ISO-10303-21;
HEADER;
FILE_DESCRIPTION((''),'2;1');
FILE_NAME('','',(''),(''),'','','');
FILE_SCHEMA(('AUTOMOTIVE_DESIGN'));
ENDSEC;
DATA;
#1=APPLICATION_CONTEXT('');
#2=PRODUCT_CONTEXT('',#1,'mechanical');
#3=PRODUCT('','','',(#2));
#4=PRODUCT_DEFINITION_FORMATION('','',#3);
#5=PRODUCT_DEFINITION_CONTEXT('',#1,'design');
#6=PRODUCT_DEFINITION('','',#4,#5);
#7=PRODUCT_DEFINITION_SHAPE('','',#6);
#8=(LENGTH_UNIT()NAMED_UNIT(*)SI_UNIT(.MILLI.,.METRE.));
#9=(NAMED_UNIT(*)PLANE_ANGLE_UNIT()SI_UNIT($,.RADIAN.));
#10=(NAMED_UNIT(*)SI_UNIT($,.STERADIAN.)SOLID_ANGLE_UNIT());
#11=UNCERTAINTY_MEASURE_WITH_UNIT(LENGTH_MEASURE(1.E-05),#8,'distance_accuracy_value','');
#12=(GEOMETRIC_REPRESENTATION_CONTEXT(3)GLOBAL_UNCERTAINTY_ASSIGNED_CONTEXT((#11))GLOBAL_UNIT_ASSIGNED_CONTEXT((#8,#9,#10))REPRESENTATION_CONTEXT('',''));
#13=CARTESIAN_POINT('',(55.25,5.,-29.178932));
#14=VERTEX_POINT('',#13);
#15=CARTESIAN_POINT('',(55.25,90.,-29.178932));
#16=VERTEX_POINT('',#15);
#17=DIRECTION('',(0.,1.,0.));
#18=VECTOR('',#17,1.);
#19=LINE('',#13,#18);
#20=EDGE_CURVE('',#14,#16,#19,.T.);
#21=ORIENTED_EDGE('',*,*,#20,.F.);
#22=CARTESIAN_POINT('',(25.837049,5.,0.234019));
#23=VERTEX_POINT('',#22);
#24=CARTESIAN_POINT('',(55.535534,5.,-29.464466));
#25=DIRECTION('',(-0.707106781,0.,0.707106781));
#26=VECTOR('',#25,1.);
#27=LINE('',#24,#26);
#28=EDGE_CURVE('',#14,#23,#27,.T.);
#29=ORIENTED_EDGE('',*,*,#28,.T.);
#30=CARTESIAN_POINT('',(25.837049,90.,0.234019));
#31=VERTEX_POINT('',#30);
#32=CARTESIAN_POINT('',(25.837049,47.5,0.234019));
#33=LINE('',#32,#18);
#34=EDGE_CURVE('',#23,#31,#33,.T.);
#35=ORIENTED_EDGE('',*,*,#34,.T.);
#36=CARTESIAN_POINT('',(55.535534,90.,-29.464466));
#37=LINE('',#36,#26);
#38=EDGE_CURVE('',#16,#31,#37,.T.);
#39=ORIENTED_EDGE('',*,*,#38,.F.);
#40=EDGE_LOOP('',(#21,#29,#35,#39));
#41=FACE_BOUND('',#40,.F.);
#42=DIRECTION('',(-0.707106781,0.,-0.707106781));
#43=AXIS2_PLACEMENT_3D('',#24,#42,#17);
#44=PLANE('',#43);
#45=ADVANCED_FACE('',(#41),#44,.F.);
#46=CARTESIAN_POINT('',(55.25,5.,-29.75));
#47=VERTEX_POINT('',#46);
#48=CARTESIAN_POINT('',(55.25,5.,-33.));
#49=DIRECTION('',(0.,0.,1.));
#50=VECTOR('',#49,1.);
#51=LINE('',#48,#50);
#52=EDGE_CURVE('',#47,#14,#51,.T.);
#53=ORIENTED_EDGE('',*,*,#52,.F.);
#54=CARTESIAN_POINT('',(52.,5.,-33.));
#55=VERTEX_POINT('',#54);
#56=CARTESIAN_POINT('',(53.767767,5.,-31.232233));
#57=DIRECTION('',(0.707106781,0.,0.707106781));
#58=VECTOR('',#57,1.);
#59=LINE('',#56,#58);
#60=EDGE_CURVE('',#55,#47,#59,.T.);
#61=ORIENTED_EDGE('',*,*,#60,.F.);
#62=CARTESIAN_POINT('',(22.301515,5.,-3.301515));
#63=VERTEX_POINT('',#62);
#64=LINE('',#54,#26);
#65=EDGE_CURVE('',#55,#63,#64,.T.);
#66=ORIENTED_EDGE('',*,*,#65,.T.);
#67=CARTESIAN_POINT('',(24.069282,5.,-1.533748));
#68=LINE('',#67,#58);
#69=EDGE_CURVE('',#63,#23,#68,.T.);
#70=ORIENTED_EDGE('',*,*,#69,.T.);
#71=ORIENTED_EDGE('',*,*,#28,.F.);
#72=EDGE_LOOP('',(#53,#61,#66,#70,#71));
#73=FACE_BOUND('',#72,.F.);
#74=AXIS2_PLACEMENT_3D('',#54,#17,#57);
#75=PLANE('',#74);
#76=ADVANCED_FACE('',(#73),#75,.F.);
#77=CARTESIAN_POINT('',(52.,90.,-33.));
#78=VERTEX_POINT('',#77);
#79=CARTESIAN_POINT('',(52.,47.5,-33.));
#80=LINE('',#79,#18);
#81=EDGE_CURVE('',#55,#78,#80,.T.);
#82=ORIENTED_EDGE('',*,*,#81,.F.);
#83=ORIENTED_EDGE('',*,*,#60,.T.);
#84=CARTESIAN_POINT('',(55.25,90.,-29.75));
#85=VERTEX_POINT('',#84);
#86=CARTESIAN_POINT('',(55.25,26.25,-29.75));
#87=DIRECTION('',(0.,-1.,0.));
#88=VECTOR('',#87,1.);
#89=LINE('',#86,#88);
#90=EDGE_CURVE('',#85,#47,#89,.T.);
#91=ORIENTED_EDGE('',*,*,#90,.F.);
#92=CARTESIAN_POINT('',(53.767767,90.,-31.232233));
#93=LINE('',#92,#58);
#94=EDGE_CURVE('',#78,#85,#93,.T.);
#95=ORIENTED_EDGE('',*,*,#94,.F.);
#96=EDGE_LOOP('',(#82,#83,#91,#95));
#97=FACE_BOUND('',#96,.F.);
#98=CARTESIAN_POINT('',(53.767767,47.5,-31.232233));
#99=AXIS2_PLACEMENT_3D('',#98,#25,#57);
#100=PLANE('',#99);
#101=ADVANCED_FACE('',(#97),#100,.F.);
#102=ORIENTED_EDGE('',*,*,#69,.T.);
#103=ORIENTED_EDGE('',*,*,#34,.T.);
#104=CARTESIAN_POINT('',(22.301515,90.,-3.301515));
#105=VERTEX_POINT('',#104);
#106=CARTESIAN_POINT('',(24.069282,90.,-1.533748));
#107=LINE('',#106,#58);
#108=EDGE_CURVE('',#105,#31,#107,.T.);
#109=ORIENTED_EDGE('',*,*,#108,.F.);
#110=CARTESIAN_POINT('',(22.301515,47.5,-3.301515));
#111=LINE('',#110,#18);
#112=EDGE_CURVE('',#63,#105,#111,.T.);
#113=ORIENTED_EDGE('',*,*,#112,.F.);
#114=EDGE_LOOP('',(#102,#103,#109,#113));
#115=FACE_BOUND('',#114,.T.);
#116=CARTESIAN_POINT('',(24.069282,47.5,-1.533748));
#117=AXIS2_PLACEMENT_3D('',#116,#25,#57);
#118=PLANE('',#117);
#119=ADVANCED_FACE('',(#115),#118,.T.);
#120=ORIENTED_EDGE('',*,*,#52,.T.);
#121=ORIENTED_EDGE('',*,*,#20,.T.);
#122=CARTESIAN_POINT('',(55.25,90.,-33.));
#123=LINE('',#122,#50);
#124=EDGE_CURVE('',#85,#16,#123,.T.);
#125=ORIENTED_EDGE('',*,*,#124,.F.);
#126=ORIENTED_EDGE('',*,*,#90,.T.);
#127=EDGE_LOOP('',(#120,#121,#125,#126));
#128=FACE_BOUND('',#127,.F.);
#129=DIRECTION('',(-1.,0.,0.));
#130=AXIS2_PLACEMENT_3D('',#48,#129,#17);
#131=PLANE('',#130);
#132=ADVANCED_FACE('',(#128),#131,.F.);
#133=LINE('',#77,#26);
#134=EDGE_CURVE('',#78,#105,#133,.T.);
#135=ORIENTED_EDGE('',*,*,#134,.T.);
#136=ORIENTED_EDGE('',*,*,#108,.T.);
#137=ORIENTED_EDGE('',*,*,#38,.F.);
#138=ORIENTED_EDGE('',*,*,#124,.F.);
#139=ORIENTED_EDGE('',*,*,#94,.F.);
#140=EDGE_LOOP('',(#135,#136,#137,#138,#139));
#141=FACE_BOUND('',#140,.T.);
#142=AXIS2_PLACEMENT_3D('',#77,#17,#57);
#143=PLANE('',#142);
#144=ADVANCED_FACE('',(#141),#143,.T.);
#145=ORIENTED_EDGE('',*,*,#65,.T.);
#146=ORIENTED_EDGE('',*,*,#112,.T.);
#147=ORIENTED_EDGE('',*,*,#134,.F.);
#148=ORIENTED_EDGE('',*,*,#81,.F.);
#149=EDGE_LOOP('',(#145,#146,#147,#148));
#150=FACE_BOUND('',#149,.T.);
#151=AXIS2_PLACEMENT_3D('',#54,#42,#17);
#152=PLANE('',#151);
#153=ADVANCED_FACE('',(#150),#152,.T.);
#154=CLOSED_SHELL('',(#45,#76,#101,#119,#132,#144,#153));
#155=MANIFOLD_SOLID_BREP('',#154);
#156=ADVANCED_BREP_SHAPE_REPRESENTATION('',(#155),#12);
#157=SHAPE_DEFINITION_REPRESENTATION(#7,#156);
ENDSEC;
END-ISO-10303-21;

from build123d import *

# Parameters (mm, degrees)
BOX011_W               = 10
BOX011_H               = 86
BOX011_DEPTH           = 10
BOX006_W               = 5
BOX006_H               = 85
BOX006_DEPTH           = 42
BOX006_PLACEMENT_ANGLE = 315


with BuildPart() as cube011:
    # Box011 → Box011 (new body)
    with BuildSketch(Plane(origin=(55.25, 5, -33), x_dir=(1, 0, 0), z_dir=(0, 0, 1))):
        with Locations((5, 43)):
            Rectangle(BOX011_W, BOX011_H)
    extrude(amount=BOX011_DEPTH)


with BuildPart() as cut006:
    # Box006 → Box006 (new body)
    with BuildSketch(Plane.XY):
        with Locations((2.5, 42.5)):
            Rectangle(BOX006_W, BOX006_H)
    extrude(amount=BOX006_DEPTH)


with BuildPart() as cut006_1:
    # Box006 placement: moved
    add(cut006.part.moved(Location((52, 5, -33))).rotate(Axis((52, 5, -33), (0, 1, 0)), BOX006_PLACEMENT_ANGLE))

    # Cut006: cut Cube011
    add(cube011.part, mode=Mode.SUBTRACT)


solid = cut006_1.part
